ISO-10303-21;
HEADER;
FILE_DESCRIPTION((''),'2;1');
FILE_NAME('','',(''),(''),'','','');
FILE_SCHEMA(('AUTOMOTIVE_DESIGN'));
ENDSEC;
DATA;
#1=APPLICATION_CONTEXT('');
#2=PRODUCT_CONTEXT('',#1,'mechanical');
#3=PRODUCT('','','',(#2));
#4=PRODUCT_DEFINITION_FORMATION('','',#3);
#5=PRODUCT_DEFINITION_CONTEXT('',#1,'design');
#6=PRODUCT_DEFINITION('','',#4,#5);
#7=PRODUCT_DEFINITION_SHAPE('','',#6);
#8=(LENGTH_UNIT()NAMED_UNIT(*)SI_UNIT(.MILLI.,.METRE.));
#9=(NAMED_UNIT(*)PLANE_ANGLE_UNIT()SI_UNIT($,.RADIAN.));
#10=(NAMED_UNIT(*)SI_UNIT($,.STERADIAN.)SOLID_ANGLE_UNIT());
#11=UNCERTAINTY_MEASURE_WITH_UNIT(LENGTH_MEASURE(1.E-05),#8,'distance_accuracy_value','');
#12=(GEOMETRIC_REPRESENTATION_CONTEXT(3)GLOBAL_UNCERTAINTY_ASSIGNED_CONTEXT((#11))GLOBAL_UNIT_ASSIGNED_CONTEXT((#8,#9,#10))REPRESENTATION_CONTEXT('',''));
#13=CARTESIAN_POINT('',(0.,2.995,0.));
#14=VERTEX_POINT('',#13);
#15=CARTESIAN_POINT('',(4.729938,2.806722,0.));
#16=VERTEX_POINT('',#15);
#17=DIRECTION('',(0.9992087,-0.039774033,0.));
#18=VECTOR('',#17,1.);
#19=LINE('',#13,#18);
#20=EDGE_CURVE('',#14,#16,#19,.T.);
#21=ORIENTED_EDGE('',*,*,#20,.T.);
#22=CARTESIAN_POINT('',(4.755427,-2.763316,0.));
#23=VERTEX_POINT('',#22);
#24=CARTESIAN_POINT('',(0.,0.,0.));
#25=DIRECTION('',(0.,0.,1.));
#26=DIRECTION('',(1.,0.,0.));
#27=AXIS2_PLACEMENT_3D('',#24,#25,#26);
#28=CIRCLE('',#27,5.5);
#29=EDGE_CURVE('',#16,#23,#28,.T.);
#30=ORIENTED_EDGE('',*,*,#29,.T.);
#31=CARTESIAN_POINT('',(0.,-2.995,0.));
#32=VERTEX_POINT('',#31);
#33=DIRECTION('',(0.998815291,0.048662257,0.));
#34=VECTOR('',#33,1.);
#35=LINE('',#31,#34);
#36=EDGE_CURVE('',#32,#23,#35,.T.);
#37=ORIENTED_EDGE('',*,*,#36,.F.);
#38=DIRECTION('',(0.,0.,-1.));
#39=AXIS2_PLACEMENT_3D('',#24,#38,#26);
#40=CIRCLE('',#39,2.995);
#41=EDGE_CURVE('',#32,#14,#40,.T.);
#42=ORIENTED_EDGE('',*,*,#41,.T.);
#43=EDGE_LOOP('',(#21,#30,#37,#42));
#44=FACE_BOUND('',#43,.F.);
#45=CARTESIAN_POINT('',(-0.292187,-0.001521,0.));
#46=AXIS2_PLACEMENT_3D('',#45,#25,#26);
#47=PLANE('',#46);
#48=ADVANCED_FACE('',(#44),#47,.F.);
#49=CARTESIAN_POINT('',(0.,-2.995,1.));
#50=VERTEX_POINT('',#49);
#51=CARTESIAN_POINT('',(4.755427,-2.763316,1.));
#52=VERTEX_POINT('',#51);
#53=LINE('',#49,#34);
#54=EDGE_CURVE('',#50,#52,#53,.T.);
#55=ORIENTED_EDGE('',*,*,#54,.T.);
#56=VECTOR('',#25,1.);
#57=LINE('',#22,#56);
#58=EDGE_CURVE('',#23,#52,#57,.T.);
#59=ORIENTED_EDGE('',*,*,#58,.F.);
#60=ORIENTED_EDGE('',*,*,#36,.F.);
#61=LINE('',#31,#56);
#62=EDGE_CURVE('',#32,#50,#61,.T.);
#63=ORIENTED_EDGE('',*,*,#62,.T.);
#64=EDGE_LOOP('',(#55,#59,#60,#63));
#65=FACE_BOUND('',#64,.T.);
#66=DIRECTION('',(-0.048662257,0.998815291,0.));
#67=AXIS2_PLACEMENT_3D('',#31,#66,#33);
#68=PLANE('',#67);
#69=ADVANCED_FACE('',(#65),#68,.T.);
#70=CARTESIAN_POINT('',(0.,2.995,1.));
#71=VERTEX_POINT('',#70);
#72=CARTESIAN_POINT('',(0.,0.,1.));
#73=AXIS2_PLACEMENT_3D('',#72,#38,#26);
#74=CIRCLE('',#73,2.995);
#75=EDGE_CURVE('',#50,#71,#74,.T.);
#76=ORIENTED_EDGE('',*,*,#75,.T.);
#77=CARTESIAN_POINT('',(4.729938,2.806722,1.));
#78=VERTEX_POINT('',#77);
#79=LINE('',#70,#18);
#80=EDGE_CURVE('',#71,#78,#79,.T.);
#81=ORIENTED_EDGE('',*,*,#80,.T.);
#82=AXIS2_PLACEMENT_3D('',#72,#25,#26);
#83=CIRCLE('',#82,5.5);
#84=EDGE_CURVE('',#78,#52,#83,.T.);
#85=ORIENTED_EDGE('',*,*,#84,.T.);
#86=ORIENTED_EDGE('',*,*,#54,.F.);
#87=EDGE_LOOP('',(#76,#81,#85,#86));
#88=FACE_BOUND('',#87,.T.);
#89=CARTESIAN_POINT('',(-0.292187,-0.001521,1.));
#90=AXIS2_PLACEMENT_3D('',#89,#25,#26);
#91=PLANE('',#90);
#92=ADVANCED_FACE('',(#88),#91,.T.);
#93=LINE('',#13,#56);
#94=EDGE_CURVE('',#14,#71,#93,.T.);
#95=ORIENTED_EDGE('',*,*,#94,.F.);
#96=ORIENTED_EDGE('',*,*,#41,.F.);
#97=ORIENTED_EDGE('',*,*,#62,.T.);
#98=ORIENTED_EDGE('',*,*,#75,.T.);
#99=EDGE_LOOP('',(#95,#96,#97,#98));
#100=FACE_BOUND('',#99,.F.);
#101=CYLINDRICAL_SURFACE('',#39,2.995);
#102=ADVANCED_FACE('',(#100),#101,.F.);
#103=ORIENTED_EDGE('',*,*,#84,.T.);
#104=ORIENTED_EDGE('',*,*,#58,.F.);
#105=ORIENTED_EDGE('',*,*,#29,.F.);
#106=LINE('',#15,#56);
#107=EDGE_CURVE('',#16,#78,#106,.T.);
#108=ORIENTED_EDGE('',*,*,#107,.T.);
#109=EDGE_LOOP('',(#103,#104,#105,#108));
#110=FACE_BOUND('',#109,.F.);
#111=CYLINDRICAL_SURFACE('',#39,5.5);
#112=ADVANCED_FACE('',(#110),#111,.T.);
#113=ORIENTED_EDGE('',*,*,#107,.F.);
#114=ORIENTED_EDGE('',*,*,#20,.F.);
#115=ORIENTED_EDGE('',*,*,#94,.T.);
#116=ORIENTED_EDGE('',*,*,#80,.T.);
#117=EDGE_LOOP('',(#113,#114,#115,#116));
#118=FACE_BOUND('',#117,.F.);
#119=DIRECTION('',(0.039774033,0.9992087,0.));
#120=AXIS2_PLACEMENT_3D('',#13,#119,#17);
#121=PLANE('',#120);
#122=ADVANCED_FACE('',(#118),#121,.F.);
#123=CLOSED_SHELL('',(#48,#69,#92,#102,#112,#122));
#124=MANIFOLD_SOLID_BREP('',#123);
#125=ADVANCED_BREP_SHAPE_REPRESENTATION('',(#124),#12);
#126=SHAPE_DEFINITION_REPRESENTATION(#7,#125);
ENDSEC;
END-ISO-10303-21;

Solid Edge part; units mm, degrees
sketch "Sketch1" plane through (0, 0, 0) normal (0, 0, 1) x (1, 0, 0)
  line L0 (0, 2.995) -> (4.7299, 2.8067)
  line L1 (0, -2.995) -> (4.7554, -2.7633)
  arc A0 (0, -2.995) -> (0, 2.995) centre (0, 0) cw
  arc A1 (4.7299, 2.8067) -> (4.7554, -2.7633) centre (0, 0) ccw
extrude "Protrusion1" add sketch "Sketch1" along normal blind 1
properties material "Acél"
